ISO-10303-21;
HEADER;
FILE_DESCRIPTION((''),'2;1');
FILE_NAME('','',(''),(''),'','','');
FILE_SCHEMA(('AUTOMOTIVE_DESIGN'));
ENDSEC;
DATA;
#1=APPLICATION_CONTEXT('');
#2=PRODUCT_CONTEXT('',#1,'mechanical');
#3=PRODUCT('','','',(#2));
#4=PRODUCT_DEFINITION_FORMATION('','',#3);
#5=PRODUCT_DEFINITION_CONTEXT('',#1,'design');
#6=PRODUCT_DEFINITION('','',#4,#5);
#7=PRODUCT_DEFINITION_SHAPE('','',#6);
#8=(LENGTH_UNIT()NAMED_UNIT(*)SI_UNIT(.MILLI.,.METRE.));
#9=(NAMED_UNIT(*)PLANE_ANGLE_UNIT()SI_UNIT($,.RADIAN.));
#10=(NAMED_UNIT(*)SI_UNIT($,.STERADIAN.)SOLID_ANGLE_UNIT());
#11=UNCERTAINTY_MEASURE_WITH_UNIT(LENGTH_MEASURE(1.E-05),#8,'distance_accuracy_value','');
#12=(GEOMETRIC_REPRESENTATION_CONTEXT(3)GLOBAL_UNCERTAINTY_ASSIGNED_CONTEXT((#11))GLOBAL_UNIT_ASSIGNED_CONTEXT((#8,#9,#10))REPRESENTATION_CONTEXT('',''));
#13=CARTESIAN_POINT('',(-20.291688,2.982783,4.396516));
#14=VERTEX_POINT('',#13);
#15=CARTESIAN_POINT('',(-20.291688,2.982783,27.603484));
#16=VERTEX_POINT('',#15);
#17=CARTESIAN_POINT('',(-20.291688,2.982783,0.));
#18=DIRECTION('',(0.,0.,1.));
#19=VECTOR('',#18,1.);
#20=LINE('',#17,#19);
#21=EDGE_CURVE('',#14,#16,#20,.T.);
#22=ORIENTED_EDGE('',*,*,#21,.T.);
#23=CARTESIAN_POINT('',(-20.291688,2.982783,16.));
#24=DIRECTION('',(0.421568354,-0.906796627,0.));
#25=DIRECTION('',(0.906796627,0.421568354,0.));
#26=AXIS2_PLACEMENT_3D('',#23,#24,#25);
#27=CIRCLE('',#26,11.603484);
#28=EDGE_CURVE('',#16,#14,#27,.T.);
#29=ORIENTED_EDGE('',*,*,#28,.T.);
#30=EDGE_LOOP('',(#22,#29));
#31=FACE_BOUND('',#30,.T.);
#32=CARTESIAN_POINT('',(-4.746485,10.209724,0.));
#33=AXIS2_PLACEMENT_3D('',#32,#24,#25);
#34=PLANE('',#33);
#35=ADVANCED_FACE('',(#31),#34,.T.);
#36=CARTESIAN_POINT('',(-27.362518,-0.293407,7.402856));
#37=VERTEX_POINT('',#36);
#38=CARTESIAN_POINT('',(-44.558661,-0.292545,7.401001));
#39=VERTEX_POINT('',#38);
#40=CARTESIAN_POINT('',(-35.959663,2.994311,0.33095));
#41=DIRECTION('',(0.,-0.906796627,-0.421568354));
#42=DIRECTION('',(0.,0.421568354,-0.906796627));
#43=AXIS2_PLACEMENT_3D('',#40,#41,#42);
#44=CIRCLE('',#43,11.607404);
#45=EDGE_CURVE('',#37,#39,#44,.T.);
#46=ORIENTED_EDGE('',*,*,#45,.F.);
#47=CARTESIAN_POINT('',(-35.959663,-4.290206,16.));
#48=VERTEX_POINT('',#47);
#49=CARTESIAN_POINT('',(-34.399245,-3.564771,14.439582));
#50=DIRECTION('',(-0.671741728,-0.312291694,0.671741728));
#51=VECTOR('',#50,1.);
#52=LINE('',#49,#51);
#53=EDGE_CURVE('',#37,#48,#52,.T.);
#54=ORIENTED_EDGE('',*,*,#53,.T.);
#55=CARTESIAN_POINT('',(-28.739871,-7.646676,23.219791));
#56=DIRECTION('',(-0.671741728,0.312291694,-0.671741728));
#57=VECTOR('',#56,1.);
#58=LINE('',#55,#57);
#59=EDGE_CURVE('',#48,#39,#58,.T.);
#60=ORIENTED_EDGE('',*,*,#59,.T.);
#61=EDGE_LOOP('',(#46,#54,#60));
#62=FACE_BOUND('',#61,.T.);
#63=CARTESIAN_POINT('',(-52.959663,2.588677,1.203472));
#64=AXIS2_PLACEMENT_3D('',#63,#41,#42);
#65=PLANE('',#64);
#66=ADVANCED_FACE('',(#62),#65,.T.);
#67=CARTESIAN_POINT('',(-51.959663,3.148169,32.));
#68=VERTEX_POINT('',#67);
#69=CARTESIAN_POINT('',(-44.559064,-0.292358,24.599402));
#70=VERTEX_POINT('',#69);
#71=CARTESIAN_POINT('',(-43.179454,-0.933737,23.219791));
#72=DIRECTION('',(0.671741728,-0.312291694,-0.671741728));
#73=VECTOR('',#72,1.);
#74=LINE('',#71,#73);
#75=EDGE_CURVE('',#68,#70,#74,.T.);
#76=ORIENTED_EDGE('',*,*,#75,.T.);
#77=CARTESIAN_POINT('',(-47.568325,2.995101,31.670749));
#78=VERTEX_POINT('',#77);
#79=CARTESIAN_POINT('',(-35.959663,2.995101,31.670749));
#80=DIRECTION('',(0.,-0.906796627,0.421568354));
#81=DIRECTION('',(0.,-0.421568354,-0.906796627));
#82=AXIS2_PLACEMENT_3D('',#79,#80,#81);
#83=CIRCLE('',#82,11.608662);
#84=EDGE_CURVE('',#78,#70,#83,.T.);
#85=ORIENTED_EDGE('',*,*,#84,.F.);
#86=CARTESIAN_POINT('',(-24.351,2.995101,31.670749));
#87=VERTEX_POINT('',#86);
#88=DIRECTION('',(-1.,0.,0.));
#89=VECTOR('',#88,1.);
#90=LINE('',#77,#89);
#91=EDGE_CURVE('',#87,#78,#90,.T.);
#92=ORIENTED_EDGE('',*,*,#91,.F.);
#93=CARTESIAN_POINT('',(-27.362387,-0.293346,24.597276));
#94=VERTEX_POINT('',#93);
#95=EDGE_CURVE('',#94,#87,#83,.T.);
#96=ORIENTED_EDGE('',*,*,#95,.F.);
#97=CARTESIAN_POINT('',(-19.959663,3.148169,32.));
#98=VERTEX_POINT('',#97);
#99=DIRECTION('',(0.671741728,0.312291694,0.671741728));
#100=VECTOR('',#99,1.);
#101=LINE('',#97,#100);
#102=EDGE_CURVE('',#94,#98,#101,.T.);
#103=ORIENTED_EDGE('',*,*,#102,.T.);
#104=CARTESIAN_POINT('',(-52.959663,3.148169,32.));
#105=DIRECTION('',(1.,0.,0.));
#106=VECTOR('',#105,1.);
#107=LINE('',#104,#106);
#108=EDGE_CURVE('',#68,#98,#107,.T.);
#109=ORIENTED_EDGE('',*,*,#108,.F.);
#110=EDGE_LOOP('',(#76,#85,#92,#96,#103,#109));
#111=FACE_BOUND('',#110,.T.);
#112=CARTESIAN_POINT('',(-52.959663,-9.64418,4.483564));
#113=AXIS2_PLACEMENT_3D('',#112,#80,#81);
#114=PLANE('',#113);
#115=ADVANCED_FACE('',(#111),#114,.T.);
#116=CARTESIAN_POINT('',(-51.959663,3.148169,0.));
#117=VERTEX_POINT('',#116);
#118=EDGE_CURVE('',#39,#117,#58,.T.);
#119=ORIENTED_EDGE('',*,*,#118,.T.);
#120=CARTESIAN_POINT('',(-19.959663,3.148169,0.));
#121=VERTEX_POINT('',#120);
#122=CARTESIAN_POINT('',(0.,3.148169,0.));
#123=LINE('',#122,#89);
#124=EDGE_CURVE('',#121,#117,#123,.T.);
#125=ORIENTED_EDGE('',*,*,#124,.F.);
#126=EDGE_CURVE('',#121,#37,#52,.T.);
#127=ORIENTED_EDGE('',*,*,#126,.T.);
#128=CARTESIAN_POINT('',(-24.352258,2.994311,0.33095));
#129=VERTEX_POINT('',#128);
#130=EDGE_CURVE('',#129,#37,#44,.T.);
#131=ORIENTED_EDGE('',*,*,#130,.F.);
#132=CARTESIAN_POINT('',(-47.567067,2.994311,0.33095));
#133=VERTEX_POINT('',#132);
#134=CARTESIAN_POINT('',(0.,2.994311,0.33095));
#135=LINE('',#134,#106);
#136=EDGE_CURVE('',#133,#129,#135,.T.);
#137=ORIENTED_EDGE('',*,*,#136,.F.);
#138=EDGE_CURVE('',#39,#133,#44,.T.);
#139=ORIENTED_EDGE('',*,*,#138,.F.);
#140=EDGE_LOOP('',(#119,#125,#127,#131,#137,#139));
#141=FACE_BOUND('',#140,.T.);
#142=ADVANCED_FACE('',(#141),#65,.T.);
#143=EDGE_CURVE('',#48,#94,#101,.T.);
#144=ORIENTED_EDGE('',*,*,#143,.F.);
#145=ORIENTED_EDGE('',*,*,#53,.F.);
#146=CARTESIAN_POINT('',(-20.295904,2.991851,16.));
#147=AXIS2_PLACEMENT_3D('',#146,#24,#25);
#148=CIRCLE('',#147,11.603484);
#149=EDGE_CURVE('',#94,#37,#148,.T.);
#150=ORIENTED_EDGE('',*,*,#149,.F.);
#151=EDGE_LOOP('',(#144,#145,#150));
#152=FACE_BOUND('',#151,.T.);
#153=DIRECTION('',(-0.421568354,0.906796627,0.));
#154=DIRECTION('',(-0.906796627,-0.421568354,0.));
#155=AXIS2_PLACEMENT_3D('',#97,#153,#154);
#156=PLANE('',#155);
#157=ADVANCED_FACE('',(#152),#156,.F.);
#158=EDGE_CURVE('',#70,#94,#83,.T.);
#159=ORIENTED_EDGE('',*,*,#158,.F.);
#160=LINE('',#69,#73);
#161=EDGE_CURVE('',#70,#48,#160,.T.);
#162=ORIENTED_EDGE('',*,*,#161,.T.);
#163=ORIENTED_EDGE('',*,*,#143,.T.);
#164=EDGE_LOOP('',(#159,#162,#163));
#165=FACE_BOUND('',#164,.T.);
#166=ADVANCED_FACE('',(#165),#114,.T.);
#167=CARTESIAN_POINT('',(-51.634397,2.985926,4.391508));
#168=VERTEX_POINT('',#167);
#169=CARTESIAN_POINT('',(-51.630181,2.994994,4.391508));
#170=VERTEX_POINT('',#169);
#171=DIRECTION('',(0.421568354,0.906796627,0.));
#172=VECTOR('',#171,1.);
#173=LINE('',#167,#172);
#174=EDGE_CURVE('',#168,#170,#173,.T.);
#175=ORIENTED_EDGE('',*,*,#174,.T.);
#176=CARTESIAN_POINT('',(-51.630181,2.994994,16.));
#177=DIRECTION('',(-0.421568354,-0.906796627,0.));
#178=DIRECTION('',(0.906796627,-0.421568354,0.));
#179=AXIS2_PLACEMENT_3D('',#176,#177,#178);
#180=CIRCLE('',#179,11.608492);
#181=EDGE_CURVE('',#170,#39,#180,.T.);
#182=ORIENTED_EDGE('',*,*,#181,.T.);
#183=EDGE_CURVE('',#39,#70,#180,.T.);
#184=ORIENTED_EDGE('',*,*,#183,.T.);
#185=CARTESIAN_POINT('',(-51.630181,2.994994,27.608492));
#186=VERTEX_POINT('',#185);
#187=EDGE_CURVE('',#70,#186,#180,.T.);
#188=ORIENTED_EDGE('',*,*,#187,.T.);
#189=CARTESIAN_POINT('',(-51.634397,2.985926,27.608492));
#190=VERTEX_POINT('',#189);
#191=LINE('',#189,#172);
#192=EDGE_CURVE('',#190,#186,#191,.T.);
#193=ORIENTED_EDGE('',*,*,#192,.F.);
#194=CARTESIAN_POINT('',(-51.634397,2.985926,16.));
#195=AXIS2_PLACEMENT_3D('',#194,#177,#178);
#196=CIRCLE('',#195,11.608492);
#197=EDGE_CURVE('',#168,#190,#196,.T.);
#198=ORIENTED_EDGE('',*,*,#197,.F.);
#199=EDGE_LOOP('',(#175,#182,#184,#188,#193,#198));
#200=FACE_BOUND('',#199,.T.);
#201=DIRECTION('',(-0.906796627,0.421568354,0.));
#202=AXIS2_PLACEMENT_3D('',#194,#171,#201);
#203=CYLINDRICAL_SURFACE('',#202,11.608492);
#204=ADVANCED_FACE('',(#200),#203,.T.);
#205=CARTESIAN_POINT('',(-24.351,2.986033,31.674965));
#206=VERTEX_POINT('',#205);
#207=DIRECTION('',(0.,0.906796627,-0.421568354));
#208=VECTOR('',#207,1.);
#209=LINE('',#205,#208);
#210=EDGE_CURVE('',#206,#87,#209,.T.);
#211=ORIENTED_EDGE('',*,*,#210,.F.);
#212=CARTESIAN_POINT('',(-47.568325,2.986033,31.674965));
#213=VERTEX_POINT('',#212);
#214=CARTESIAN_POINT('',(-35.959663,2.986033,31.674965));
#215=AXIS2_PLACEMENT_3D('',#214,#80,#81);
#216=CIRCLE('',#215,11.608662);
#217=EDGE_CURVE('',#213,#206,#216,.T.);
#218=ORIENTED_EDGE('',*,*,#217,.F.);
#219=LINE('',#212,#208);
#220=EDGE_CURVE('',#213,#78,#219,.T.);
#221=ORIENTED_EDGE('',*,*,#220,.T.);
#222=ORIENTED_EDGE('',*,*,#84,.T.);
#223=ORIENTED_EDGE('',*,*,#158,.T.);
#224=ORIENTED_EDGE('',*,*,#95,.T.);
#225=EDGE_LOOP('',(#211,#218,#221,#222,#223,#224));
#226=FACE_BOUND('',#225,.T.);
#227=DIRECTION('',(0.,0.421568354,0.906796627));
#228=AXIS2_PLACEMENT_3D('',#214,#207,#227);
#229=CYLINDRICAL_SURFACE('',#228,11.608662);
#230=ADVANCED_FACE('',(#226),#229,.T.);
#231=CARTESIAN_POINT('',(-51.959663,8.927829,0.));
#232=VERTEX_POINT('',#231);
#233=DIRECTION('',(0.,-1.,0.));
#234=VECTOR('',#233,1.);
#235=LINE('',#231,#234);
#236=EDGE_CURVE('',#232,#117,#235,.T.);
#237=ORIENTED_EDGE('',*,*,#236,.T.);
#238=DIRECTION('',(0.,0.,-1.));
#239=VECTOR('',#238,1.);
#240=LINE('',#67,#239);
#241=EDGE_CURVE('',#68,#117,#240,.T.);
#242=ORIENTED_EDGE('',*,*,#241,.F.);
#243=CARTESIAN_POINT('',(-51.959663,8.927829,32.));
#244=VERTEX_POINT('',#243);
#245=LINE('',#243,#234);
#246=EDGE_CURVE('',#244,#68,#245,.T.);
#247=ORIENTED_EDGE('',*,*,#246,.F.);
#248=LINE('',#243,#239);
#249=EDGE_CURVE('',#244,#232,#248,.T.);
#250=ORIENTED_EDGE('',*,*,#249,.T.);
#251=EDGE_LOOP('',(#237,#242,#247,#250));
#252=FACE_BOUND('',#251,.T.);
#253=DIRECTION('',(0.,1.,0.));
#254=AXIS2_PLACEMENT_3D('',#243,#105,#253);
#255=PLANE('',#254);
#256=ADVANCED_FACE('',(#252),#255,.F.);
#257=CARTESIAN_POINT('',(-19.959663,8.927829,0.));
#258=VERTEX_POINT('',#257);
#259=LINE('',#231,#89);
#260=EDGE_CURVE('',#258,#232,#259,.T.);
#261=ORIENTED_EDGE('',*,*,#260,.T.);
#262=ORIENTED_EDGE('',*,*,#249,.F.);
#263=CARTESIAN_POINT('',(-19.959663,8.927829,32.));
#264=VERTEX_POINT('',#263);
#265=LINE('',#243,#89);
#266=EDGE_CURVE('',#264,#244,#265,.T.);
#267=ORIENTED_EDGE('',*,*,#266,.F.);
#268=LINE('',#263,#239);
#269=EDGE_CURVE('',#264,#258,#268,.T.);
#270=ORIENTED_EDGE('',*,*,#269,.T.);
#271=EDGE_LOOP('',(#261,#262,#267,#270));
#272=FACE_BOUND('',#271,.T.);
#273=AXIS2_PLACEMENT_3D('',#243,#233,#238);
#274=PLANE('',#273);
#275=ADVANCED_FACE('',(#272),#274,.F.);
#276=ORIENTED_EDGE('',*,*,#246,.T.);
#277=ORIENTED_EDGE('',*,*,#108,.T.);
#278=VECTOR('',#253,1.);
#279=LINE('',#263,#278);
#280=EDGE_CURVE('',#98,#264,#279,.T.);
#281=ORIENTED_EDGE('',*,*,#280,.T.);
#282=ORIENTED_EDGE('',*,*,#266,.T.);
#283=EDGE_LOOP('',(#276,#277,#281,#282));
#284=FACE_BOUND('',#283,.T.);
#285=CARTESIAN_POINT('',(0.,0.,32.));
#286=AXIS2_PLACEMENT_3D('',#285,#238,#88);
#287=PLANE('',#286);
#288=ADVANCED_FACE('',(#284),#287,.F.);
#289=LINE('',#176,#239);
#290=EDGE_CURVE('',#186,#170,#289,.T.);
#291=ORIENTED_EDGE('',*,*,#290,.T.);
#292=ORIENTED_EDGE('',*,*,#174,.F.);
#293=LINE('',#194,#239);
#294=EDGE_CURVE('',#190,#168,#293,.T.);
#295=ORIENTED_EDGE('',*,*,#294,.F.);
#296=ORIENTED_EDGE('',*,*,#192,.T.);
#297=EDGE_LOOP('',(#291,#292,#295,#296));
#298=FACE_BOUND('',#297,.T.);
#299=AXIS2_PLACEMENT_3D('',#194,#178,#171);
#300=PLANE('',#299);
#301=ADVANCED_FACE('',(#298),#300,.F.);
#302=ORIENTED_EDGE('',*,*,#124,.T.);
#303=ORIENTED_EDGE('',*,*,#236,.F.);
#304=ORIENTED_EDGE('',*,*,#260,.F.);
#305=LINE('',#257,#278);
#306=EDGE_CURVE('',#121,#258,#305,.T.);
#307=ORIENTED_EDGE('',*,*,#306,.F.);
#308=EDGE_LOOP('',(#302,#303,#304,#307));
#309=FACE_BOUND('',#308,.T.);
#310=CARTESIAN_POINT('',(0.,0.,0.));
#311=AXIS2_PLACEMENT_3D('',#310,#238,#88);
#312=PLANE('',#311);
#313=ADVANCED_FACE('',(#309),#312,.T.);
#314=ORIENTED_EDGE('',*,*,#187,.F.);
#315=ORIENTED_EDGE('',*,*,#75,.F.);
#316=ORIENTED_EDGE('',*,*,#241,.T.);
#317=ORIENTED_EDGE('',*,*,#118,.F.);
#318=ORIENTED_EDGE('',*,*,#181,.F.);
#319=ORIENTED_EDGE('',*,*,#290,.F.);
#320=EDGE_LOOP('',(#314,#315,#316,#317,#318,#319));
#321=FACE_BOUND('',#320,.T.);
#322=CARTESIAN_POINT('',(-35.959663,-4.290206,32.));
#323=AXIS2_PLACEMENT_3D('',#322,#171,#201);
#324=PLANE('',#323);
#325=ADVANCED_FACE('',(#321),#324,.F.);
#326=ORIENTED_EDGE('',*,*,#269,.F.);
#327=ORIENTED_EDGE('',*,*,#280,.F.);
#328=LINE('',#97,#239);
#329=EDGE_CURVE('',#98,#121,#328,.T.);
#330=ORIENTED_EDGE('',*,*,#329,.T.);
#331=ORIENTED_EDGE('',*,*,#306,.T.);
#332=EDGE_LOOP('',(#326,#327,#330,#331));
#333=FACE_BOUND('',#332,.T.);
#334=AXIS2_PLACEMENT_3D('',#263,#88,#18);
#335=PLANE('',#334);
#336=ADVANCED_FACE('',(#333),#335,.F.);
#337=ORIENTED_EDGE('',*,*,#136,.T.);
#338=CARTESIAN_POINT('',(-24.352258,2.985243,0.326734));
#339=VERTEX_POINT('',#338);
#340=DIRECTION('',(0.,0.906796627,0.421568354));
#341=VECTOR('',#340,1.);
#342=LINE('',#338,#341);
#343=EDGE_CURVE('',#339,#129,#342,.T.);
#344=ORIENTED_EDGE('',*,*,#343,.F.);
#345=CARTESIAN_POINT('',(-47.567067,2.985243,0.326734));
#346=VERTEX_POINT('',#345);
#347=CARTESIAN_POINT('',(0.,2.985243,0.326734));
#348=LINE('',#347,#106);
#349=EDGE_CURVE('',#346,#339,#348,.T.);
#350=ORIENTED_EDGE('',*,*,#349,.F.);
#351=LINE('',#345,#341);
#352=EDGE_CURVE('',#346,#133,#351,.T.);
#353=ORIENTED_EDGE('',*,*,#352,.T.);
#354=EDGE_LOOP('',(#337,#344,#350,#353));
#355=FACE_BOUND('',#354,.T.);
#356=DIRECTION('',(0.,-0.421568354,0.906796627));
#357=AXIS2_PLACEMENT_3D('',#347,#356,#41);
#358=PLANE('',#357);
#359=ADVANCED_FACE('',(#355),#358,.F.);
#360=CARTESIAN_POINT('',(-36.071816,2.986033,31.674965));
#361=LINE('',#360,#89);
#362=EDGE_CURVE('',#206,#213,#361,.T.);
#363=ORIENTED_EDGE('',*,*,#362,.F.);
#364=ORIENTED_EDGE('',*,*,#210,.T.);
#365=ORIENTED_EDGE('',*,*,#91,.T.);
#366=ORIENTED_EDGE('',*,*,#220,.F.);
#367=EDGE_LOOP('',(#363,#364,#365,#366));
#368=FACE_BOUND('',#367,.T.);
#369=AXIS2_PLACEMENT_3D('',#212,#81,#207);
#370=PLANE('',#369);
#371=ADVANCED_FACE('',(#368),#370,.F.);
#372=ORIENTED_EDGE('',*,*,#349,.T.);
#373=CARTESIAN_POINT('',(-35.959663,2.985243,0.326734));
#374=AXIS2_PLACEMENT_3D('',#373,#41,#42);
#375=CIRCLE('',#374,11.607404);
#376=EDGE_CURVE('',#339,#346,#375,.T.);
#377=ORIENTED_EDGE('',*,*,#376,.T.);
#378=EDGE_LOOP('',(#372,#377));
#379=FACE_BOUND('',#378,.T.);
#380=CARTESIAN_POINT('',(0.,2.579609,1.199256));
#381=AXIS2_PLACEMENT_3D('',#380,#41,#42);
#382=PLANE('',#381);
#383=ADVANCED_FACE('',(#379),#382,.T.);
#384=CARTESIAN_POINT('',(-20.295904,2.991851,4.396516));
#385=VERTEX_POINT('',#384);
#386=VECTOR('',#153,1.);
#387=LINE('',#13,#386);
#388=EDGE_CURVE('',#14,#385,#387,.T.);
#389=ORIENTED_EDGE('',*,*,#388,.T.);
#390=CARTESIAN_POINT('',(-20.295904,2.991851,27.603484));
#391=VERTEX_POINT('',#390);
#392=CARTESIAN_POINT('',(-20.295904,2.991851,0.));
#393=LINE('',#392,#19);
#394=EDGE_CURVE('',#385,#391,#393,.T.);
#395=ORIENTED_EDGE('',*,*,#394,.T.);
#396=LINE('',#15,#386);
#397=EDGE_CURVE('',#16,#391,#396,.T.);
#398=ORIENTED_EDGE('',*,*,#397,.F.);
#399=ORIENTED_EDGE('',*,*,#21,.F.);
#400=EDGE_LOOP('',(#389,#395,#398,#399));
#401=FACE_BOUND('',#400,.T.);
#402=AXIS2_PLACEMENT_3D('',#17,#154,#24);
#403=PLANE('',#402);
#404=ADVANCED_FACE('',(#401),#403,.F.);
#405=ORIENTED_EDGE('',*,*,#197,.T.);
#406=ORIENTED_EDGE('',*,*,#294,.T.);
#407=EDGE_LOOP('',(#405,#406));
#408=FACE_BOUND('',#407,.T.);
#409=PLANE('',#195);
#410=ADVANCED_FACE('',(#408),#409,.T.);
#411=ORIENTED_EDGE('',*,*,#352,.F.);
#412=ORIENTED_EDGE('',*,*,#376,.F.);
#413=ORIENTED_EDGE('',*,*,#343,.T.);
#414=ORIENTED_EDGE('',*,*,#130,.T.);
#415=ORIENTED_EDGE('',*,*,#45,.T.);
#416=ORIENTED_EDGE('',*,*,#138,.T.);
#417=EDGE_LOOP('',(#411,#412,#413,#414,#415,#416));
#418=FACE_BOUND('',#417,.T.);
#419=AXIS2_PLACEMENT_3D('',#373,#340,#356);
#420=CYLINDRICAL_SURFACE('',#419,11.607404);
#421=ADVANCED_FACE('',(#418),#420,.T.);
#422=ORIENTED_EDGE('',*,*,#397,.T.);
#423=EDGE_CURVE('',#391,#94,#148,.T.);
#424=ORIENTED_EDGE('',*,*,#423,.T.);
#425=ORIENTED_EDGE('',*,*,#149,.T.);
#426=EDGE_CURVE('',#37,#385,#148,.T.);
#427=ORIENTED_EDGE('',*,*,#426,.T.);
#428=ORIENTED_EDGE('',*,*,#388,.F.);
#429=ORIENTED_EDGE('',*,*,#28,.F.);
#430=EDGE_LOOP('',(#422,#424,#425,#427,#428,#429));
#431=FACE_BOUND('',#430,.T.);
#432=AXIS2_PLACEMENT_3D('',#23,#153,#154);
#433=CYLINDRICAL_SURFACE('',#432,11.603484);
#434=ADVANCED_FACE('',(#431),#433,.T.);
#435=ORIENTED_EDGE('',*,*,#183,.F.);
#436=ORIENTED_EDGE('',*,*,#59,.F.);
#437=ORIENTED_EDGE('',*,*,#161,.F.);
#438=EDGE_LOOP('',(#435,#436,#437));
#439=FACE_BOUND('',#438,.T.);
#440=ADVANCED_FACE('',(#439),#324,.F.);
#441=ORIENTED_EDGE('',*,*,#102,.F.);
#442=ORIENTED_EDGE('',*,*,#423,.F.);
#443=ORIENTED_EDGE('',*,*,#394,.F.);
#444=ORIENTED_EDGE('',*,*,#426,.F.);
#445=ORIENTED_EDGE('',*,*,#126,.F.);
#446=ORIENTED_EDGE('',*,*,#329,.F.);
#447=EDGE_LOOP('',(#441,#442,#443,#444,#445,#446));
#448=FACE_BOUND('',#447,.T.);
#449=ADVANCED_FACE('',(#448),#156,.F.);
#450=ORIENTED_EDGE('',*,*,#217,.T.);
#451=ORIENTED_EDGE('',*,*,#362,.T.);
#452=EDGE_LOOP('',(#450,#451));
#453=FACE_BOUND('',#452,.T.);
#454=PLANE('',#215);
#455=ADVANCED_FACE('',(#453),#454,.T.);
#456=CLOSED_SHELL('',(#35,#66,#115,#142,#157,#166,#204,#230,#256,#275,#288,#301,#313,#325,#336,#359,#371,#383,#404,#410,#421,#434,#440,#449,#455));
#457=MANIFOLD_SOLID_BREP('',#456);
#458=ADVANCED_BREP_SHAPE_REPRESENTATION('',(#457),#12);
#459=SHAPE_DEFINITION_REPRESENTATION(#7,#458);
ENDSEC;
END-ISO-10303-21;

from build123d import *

# Parameters (mm, degrees)
SALIENTE_EXTRUIR1_DEPTH  = 32
CORTAR_EXTRUIR1_DEPTH    = 33
SALIENTE_EXTRUIR12_DEPTH = 0.01
SALIENTE_EXTRUIR13_DEPTH = 0.01
SALIENTE_EXTRUIR14_DEPTH = 0.01
SALIENTE_EXTRUIR15_DEPTH = 0.01


with BuildPart() as part:
    # Croquis1 → Saliente-Extruir1 (new body)
    with BuildSketch(Plane.XY):
        Polygon((-51.959662641, 8.927829358), (-51.959662641, 3.148169014), (-35.959662641, -4.290206314), (-19.959662641, 3.148169014), (-19.959662641, 8.927829358), align=None)
    extrude(amount=SALIENTE_EXTRUIR1_DEPTH)

    # Croquis2 → Cortar-Extruir1 (cut)
    with BuildSketch(Plane(origin=(-19.959662641, 0, 0), x_dir=(0, 0, -1), z_dir=(1, 0, 0))):
        Polygon((0, -4.290206314), (-16, -4.290206314), (0, 3.148169014), align=None)
        Polygon((-32, -4.290206314), (-32, 3.148169014), (-16, -4.290206314), align=None)
    extrude(amount=-CORTAR_EXTRUIR1_DEPTH, mode=Mode.SUBTRACT)

    # Croquis16 → Saliente-Extruir12 (add)
    with BuildSketch(Plane(origin=(0, -9.644179557, 4.483564205), x_dir=(-1, 0, 0), z_dir=(0, -0.906796627, 0.421568354))):
        with BuildLine():
            Line((47.568325111, -29.981567998), (36.071815605, -29.981567998))
            Line((36.071815605, -29.981567998), (24.351000171, -29.981567998))
            ThreePointArc((24.351000171, -29.981567998), (35.959662641, -18.372905528), (47.568325111, -29.981567998))
        make_face()
    extrude(amount=SALIENTE_EXTRUIR12_DEPTH)

    # Croquis17 → Saliente-Extruir13 (add)
    with BuildSketch(Plane(origin=(-8.030792992, -17.274294748, 0), x_dir=(-0.906796627, 0.421568354, 0), z_dir=(-0.421568354, -0.906796627, 0))):
        with BuildLine():
            Line((48.080668577, -16), (48.080668577, -27.608491723))
            ThreePointArc((48.080668577, -27.608491723), (36.472176853, -16), (48.080668577, -4.391508277))
            Line((48.080668577, -4.391508277), (48.080668577, -16))
        make_face()
    extrude(amount=SALIENTE_EXTRUIR13_DEPTH)

    # Croquis18 → Saliente-Extruir14 (add)
    with BuildSketch(Plane(origin=(0, 2.588676805, 1.203471855), x_dir=(-1, 0, 0), z_dir=(0, -0.906796627, -0.421568354))):
        with BuildLine():
            Line((47.567066817, 0.962202745), (35.959662641, 0.962202745))
            Line((35.959662641, 0.962202745), (24.352258465, 0.962202745))
            ThreePointArc((24.352258465, 0.962202745), (35.959662641, -10.64520143), (47.567066817, 0.962202745))
        make_face()
    extrude(amount=SALIENTE_EXTRUIR14_DEPTH)

    # Croquis19 → Saliente-Extruir15 (add)
    with BuildSketch(Plane(origin=(-4.750700642, 10.218791996, 0), x_dir=(-0.906796627, -0.421568354, 0), z_dir=(0.421568354, -0.906796627, 0))):
        with BuildLine():
            Line((17.142987404, -4.396515697), (17.142987404, -16))
            Line((17.142987404, -16), (17.142987404, -27.603484303))
            ThreePointArc((17.142987404, -27.603484303), (28.746471707, -16), (17.142987404, -4.396515697))
        make_face()
    extrude(amount=SALIENTE_EXTRUIR15_DEPTH)


solid = part.part
